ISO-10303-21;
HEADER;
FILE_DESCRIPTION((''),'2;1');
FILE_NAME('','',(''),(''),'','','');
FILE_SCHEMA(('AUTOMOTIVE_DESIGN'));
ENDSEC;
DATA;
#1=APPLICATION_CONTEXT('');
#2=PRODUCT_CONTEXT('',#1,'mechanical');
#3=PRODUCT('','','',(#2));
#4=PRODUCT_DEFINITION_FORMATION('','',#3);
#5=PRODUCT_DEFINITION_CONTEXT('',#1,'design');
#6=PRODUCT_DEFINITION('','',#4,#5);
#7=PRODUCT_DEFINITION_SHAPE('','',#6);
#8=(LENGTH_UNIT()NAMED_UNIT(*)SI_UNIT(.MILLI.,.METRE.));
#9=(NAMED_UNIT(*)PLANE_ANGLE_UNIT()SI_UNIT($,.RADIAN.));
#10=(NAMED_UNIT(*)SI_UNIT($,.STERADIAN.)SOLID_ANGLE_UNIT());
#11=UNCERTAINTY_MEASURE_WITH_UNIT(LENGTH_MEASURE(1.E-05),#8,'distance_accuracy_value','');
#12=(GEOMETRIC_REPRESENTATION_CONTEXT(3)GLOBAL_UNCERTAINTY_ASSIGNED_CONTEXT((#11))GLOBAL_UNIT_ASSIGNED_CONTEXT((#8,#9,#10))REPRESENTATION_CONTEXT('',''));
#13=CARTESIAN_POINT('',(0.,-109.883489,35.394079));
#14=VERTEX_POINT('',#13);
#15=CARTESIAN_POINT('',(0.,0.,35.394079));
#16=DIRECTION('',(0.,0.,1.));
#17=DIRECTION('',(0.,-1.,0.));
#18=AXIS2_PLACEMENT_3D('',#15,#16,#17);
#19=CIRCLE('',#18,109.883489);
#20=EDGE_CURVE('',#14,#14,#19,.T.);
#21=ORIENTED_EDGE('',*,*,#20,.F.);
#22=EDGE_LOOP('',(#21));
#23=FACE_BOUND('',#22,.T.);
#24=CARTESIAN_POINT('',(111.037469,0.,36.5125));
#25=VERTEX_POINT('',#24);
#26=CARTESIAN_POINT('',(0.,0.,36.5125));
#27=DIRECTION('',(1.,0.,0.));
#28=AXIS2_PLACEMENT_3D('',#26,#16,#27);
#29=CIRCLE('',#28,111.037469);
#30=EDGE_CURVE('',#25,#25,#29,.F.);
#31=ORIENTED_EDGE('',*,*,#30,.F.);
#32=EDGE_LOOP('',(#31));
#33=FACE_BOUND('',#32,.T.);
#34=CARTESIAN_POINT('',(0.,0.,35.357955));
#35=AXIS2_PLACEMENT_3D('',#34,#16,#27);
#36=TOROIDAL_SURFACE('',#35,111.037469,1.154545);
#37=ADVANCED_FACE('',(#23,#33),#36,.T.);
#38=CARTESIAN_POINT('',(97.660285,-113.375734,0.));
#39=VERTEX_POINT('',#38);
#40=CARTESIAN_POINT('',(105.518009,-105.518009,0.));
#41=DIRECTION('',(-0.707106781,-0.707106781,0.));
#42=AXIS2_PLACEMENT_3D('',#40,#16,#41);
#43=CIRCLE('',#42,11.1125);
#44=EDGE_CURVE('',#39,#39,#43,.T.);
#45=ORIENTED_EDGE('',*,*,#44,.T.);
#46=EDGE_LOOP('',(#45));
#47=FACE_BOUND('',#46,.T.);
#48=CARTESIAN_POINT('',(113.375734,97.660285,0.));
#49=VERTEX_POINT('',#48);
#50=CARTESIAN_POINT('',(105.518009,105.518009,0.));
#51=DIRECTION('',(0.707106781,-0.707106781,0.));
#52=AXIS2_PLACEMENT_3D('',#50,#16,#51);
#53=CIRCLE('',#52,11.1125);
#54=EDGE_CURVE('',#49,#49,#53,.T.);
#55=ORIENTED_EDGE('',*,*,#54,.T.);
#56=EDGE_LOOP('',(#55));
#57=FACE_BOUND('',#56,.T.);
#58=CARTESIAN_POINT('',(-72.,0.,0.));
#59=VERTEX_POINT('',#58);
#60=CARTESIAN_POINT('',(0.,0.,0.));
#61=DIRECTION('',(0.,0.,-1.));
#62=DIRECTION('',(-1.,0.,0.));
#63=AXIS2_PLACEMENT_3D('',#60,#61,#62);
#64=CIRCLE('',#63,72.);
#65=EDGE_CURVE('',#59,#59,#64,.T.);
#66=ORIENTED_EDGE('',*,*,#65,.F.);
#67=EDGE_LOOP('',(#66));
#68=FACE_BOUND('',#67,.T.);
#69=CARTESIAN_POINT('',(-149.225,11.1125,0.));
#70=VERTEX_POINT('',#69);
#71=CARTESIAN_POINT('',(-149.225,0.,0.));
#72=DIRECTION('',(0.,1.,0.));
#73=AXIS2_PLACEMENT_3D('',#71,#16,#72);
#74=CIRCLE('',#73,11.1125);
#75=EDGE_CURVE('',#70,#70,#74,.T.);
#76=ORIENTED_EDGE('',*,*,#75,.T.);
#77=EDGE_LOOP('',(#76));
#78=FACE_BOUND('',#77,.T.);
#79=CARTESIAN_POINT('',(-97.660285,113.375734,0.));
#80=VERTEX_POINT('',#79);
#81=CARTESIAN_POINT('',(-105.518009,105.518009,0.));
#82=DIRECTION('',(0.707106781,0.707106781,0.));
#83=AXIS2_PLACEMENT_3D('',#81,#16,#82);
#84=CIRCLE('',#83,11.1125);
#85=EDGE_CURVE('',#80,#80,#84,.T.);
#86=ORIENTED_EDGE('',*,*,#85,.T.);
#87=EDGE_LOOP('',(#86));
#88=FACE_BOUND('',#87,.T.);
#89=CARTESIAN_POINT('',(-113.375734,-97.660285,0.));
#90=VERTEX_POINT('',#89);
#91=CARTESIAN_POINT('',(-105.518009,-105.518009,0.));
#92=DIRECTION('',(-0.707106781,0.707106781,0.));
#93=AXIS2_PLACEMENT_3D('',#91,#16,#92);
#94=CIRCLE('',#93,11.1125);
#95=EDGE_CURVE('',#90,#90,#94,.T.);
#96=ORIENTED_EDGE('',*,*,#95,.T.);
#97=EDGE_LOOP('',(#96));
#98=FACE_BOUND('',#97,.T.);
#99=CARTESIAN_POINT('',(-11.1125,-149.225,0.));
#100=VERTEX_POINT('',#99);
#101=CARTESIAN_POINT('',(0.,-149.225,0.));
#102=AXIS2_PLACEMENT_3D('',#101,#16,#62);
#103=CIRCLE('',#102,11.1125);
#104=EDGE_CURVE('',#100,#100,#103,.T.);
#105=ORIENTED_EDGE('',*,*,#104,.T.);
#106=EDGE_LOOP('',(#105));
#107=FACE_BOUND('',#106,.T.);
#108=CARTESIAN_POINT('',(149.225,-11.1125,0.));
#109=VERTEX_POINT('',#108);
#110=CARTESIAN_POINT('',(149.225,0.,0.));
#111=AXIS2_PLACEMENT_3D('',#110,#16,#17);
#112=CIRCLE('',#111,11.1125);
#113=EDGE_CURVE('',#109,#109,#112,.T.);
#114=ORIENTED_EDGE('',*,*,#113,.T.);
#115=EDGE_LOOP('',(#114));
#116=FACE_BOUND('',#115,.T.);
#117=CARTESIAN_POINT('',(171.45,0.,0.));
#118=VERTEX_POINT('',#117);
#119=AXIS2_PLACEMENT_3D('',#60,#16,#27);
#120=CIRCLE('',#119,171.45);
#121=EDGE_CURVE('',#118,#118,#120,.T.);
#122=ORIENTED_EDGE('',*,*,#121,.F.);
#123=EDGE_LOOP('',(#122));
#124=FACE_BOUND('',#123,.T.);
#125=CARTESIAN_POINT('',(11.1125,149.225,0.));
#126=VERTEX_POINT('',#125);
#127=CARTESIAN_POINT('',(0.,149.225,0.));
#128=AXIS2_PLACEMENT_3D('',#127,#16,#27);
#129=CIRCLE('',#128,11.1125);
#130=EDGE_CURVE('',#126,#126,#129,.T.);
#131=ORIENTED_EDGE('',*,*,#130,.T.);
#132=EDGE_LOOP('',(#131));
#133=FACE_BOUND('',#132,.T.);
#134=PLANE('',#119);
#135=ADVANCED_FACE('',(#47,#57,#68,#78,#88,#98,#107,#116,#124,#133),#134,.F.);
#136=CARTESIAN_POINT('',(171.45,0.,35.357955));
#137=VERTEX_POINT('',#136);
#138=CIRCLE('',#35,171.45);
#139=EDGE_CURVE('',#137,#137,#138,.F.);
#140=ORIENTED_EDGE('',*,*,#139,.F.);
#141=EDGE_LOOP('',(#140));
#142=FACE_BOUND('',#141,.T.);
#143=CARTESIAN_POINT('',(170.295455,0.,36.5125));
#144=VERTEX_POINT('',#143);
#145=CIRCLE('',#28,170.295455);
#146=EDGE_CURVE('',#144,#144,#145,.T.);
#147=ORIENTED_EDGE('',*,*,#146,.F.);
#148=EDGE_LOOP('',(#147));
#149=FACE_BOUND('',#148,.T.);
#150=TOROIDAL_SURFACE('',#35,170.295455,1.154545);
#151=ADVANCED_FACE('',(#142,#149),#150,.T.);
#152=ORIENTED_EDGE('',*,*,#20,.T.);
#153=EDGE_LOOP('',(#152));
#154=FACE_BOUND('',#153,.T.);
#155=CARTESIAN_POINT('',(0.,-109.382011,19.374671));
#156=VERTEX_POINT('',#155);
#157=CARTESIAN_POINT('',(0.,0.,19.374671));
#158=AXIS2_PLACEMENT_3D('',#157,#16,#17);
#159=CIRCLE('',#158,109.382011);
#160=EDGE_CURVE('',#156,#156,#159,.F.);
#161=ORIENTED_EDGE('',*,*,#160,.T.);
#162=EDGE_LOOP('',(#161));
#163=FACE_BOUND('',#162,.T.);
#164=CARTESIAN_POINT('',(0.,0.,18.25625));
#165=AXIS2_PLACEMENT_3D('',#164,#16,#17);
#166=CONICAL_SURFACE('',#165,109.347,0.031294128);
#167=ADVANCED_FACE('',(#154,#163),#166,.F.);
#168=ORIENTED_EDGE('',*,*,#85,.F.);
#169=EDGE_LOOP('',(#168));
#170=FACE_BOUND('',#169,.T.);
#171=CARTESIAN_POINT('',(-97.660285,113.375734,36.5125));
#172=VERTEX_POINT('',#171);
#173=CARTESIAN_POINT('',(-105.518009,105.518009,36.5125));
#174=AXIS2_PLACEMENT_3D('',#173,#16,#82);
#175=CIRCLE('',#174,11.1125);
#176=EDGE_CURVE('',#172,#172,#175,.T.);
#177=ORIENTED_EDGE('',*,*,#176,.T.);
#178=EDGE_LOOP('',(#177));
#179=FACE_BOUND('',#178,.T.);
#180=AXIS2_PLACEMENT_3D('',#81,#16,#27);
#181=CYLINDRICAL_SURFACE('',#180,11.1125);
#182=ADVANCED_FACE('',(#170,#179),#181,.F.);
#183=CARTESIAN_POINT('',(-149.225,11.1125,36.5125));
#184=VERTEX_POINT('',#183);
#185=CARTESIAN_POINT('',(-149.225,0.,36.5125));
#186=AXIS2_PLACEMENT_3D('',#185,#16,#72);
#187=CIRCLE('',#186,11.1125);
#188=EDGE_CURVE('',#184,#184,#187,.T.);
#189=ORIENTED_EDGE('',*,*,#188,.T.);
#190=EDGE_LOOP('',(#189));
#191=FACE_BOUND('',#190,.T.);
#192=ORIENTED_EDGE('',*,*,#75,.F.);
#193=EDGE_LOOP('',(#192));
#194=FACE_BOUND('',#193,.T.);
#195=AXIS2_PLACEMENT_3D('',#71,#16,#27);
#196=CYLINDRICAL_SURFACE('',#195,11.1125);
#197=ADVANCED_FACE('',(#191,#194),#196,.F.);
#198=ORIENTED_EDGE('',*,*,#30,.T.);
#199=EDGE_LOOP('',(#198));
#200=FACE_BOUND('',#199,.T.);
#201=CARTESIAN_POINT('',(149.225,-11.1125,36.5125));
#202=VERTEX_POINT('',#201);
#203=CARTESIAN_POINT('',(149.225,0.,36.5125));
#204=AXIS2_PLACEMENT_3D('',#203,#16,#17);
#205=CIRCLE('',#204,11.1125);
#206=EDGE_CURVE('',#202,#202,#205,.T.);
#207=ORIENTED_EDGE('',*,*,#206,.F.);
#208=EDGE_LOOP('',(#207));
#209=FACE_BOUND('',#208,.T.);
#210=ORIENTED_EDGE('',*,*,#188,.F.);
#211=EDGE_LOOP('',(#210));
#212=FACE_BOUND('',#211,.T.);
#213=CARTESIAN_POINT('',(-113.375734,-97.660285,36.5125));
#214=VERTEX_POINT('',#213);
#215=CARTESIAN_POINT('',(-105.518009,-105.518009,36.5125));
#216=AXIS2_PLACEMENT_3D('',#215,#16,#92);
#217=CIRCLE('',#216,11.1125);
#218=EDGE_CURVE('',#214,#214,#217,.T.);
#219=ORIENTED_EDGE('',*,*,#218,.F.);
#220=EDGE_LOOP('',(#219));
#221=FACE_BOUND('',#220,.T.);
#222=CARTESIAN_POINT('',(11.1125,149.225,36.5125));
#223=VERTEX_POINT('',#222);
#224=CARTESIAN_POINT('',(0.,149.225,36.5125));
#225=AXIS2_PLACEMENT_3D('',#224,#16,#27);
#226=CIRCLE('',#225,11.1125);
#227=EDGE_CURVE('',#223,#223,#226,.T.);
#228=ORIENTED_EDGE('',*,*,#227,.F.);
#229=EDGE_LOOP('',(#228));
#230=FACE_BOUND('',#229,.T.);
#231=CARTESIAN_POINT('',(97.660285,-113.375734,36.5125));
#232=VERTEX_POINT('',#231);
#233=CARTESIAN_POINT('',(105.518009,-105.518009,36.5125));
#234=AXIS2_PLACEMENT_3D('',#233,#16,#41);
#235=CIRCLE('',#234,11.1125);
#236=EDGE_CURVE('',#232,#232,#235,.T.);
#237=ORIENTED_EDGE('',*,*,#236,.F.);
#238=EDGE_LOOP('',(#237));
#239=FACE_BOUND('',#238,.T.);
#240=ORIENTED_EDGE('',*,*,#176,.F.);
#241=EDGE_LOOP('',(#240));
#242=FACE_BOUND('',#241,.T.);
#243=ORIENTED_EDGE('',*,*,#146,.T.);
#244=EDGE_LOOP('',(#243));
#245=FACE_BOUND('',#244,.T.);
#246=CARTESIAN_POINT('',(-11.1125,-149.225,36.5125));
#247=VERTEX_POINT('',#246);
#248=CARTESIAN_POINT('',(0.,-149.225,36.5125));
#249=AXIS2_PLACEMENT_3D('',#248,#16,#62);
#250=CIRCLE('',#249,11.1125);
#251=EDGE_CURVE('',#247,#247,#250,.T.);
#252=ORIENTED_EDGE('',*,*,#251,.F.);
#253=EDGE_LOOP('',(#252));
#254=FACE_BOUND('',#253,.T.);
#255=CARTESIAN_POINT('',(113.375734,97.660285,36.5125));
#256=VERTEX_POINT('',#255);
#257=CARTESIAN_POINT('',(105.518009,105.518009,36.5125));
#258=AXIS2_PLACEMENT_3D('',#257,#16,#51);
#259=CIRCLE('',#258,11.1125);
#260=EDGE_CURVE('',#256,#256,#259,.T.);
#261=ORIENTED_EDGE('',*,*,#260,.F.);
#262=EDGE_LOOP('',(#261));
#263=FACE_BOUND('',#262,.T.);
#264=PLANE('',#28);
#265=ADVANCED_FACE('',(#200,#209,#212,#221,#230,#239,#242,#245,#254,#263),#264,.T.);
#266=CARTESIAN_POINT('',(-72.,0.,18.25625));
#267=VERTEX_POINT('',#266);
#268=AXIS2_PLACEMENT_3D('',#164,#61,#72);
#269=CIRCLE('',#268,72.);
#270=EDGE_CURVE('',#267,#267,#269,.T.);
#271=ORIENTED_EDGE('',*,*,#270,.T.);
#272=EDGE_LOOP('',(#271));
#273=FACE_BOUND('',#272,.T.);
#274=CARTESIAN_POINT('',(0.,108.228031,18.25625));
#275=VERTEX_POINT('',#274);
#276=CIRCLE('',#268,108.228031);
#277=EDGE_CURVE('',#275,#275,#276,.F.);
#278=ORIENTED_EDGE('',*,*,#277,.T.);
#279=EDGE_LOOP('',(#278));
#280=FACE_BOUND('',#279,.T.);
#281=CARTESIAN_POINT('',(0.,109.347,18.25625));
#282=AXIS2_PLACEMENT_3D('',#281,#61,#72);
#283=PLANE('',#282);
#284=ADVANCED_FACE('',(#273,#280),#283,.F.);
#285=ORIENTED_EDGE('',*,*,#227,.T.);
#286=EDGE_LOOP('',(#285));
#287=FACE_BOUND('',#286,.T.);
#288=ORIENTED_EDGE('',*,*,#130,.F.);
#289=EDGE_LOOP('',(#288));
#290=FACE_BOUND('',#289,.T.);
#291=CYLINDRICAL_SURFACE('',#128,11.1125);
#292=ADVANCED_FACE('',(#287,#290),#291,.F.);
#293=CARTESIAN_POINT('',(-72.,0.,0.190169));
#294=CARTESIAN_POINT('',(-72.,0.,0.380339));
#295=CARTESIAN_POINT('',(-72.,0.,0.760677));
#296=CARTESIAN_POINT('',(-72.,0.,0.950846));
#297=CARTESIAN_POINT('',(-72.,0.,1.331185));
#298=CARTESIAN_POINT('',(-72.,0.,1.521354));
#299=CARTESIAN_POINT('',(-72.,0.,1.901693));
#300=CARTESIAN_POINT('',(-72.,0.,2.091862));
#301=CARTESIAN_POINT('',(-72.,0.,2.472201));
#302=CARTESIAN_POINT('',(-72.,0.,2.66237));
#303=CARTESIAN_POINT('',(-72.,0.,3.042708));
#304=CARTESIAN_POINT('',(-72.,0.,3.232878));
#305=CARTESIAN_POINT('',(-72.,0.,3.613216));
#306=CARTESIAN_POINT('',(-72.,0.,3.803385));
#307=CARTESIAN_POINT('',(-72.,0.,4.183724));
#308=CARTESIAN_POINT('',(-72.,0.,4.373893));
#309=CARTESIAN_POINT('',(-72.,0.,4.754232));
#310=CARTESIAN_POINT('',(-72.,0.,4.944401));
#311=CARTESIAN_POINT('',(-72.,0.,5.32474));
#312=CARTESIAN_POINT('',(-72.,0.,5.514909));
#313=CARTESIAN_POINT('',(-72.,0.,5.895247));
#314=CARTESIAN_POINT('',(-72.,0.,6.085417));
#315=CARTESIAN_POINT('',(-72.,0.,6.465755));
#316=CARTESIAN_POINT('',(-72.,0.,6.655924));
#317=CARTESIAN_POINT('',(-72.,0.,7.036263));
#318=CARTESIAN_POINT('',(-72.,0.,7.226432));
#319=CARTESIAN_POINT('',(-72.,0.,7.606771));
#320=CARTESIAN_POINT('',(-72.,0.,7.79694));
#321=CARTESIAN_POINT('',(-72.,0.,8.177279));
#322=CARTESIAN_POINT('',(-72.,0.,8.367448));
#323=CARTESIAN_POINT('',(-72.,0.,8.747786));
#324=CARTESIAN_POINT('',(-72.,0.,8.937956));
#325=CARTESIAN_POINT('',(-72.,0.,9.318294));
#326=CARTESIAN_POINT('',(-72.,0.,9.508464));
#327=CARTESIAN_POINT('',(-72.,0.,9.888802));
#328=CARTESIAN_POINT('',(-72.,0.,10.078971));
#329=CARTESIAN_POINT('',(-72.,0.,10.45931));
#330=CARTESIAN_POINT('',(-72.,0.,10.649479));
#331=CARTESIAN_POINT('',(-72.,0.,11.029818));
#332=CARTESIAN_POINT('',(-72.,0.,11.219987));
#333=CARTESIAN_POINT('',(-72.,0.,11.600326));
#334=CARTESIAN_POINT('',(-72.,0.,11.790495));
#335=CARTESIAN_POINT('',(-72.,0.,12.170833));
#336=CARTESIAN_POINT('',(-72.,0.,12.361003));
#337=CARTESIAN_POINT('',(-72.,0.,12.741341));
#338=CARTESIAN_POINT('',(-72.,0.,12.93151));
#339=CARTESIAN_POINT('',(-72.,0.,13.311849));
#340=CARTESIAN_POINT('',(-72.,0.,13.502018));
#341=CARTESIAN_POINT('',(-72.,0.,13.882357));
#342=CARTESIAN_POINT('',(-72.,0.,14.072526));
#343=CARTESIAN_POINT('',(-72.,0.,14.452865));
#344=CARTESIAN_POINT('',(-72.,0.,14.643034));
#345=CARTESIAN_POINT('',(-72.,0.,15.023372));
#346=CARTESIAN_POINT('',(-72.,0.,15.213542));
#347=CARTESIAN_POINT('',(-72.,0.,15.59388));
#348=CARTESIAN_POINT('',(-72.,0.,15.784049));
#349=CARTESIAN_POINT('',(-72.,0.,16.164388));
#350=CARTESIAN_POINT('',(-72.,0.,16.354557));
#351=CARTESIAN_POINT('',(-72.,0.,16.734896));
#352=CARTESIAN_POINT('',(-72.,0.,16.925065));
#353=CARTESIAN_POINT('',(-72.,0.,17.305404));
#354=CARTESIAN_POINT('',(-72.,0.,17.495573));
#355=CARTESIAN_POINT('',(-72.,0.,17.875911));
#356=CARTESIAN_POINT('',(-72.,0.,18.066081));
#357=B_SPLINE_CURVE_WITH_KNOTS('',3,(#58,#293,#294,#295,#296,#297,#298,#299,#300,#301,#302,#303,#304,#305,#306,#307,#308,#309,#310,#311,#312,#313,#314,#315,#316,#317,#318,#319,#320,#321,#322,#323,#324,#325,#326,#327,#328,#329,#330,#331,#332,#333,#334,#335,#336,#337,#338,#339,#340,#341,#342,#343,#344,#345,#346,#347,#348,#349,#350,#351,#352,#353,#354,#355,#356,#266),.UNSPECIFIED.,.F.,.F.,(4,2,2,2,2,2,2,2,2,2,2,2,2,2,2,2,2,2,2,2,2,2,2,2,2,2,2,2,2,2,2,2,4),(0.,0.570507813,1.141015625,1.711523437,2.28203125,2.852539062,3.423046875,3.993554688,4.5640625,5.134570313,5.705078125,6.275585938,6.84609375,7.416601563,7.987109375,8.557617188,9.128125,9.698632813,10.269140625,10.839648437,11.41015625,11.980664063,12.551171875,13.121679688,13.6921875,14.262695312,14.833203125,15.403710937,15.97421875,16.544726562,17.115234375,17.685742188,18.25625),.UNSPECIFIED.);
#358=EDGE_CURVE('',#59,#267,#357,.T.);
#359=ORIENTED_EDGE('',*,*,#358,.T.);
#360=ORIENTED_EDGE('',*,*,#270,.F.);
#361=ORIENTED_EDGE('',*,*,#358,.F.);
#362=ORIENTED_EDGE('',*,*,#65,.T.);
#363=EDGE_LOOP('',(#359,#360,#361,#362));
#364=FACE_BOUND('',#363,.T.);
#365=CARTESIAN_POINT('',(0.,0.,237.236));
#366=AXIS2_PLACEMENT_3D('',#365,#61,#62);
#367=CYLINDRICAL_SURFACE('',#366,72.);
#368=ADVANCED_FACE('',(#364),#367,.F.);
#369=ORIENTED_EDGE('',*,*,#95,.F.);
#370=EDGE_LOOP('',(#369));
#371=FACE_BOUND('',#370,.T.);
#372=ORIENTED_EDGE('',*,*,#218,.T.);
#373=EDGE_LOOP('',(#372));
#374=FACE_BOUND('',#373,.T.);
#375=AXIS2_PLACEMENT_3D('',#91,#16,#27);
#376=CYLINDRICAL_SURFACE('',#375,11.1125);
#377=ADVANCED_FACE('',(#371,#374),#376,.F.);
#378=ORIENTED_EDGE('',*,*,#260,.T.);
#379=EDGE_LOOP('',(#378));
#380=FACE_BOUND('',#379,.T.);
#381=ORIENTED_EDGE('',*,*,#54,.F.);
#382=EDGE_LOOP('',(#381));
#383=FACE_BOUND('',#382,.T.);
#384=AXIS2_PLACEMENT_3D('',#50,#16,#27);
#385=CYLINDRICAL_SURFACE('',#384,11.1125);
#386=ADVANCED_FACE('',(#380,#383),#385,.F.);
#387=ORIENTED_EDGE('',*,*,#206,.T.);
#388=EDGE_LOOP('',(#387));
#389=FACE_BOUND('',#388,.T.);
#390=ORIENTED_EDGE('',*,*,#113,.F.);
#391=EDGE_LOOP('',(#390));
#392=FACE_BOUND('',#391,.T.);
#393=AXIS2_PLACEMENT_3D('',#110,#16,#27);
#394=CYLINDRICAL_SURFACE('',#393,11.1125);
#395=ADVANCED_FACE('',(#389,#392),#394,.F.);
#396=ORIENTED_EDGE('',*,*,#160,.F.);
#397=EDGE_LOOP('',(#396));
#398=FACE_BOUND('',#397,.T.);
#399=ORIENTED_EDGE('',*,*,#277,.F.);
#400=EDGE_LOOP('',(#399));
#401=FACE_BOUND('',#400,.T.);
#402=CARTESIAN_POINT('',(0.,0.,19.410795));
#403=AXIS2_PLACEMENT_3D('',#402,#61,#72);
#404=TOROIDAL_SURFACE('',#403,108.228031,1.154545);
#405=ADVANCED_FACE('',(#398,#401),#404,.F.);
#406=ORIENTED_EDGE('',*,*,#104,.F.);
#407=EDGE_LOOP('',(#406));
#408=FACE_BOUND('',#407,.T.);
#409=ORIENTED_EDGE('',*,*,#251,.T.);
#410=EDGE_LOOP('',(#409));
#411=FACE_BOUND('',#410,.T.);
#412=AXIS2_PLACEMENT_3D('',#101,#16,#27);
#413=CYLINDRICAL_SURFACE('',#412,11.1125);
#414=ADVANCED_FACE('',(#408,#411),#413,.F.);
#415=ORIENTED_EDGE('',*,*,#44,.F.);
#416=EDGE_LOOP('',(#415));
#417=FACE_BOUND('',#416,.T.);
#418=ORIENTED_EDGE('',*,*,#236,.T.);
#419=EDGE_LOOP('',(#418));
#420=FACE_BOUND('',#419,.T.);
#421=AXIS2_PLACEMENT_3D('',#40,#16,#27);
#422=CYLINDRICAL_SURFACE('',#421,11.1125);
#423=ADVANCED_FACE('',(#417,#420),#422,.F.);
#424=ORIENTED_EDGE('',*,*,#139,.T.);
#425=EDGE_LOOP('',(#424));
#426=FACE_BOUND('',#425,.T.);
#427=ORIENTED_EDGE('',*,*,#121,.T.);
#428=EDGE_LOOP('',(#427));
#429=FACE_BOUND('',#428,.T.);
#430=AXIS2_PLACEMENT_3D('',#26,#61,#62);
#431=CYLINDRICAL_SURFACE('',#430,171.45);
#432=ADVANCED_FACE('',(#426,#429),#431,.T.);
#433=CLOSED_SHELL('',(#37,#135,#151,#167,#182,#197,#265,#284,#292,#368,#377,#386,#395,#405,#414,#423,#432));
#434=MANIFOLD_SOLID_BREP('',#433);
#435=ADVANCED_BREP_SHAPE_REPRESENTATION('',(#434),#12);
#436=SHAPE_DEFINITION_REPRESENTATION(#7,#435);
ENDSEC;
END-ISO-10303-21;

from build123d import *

# Parameters (mm, degrees)
SKETCH1_R          = 171.45
EXTRUDE1_DEPTH     = 36.5125
SKETCH2_R          = 11.1125
EXTRUDE2_DEPTH     = 246.20066814
CIRPATTERN1_COUNT  = 8
FILLET1_R          = 1.154545455
SKETCH5_R          = 72
CUT_EXTRUDE1_DEPTH = 237.236


with BuildPart() as part:
    # Sketch1 → Extrude1 (new body)
    with BuildSketch(Plane.XY):
        Circle(SKETCH1_R)
    extrude(amount=EXTRUDE1_DEPTH)

    # Sketch2 → Extrude2 (cut, through all)
    with BuildSketch(Plane.XY.offset(36.5125)):
        with Locations((0, 149.225)):
            Circle(SKETCH2_R)
    extrude2 = extrude(amount=-EXTRUDE2_DEPTH, mode=Mode.SUBTRACT)

    # CirPattern1: Extrude2 ×8 about axis
    cirpattern1_axis = Axis((0, 0, 0), (0, 0, 1))
    for i in range(1, CIRPATTERN1_COUNT):
        add(extrude2.rotate(cirpattern1_axis, i * 360 / CIRPATTERN1_COUNT), mode=Mode.SUBTRACT)

    # Sketch3 → Cut-Revolve1 (revolve, cut)
    with BuildSketch(Plane(origin=(0, 0, 0), x_dir=(0, 0, -1), z_dir=(1, 0, 0))):
        Polygon((-36.5125, 109.9185), (-18.25625, 109.347), (-18.25625, 0), (-36.5125, 0), align=None)
    revolve(axis=Axis((0, 0, 18.25625), (0, 0, 1)), mode=Mode.SUBTRACT)

    # Fillet1
    fillet1_edges = [part.edges().sort_by_distance(p)[0] for p in [
        (0, -109.347, 18.25625),
        (0, -109.9185, 36.5125),
        (-171.45, 0, 36.5125),
    ]]
    fillet(fillet1_edges, radius=FILLET1_R)

    # Sketch5 → Cut-Extrude1 (cut)
    with BuildSketch(Plane(origin=(0, 0, 0), x_dir=(-1, 0, 0), z_dir=(0, 0, -1))):
        Circle(SKETCH5_R)
    extrude(amount=-CUT_EXTRUDE1_DEPTH, mode=Mode.SUBTRACT)


solid = part.part
